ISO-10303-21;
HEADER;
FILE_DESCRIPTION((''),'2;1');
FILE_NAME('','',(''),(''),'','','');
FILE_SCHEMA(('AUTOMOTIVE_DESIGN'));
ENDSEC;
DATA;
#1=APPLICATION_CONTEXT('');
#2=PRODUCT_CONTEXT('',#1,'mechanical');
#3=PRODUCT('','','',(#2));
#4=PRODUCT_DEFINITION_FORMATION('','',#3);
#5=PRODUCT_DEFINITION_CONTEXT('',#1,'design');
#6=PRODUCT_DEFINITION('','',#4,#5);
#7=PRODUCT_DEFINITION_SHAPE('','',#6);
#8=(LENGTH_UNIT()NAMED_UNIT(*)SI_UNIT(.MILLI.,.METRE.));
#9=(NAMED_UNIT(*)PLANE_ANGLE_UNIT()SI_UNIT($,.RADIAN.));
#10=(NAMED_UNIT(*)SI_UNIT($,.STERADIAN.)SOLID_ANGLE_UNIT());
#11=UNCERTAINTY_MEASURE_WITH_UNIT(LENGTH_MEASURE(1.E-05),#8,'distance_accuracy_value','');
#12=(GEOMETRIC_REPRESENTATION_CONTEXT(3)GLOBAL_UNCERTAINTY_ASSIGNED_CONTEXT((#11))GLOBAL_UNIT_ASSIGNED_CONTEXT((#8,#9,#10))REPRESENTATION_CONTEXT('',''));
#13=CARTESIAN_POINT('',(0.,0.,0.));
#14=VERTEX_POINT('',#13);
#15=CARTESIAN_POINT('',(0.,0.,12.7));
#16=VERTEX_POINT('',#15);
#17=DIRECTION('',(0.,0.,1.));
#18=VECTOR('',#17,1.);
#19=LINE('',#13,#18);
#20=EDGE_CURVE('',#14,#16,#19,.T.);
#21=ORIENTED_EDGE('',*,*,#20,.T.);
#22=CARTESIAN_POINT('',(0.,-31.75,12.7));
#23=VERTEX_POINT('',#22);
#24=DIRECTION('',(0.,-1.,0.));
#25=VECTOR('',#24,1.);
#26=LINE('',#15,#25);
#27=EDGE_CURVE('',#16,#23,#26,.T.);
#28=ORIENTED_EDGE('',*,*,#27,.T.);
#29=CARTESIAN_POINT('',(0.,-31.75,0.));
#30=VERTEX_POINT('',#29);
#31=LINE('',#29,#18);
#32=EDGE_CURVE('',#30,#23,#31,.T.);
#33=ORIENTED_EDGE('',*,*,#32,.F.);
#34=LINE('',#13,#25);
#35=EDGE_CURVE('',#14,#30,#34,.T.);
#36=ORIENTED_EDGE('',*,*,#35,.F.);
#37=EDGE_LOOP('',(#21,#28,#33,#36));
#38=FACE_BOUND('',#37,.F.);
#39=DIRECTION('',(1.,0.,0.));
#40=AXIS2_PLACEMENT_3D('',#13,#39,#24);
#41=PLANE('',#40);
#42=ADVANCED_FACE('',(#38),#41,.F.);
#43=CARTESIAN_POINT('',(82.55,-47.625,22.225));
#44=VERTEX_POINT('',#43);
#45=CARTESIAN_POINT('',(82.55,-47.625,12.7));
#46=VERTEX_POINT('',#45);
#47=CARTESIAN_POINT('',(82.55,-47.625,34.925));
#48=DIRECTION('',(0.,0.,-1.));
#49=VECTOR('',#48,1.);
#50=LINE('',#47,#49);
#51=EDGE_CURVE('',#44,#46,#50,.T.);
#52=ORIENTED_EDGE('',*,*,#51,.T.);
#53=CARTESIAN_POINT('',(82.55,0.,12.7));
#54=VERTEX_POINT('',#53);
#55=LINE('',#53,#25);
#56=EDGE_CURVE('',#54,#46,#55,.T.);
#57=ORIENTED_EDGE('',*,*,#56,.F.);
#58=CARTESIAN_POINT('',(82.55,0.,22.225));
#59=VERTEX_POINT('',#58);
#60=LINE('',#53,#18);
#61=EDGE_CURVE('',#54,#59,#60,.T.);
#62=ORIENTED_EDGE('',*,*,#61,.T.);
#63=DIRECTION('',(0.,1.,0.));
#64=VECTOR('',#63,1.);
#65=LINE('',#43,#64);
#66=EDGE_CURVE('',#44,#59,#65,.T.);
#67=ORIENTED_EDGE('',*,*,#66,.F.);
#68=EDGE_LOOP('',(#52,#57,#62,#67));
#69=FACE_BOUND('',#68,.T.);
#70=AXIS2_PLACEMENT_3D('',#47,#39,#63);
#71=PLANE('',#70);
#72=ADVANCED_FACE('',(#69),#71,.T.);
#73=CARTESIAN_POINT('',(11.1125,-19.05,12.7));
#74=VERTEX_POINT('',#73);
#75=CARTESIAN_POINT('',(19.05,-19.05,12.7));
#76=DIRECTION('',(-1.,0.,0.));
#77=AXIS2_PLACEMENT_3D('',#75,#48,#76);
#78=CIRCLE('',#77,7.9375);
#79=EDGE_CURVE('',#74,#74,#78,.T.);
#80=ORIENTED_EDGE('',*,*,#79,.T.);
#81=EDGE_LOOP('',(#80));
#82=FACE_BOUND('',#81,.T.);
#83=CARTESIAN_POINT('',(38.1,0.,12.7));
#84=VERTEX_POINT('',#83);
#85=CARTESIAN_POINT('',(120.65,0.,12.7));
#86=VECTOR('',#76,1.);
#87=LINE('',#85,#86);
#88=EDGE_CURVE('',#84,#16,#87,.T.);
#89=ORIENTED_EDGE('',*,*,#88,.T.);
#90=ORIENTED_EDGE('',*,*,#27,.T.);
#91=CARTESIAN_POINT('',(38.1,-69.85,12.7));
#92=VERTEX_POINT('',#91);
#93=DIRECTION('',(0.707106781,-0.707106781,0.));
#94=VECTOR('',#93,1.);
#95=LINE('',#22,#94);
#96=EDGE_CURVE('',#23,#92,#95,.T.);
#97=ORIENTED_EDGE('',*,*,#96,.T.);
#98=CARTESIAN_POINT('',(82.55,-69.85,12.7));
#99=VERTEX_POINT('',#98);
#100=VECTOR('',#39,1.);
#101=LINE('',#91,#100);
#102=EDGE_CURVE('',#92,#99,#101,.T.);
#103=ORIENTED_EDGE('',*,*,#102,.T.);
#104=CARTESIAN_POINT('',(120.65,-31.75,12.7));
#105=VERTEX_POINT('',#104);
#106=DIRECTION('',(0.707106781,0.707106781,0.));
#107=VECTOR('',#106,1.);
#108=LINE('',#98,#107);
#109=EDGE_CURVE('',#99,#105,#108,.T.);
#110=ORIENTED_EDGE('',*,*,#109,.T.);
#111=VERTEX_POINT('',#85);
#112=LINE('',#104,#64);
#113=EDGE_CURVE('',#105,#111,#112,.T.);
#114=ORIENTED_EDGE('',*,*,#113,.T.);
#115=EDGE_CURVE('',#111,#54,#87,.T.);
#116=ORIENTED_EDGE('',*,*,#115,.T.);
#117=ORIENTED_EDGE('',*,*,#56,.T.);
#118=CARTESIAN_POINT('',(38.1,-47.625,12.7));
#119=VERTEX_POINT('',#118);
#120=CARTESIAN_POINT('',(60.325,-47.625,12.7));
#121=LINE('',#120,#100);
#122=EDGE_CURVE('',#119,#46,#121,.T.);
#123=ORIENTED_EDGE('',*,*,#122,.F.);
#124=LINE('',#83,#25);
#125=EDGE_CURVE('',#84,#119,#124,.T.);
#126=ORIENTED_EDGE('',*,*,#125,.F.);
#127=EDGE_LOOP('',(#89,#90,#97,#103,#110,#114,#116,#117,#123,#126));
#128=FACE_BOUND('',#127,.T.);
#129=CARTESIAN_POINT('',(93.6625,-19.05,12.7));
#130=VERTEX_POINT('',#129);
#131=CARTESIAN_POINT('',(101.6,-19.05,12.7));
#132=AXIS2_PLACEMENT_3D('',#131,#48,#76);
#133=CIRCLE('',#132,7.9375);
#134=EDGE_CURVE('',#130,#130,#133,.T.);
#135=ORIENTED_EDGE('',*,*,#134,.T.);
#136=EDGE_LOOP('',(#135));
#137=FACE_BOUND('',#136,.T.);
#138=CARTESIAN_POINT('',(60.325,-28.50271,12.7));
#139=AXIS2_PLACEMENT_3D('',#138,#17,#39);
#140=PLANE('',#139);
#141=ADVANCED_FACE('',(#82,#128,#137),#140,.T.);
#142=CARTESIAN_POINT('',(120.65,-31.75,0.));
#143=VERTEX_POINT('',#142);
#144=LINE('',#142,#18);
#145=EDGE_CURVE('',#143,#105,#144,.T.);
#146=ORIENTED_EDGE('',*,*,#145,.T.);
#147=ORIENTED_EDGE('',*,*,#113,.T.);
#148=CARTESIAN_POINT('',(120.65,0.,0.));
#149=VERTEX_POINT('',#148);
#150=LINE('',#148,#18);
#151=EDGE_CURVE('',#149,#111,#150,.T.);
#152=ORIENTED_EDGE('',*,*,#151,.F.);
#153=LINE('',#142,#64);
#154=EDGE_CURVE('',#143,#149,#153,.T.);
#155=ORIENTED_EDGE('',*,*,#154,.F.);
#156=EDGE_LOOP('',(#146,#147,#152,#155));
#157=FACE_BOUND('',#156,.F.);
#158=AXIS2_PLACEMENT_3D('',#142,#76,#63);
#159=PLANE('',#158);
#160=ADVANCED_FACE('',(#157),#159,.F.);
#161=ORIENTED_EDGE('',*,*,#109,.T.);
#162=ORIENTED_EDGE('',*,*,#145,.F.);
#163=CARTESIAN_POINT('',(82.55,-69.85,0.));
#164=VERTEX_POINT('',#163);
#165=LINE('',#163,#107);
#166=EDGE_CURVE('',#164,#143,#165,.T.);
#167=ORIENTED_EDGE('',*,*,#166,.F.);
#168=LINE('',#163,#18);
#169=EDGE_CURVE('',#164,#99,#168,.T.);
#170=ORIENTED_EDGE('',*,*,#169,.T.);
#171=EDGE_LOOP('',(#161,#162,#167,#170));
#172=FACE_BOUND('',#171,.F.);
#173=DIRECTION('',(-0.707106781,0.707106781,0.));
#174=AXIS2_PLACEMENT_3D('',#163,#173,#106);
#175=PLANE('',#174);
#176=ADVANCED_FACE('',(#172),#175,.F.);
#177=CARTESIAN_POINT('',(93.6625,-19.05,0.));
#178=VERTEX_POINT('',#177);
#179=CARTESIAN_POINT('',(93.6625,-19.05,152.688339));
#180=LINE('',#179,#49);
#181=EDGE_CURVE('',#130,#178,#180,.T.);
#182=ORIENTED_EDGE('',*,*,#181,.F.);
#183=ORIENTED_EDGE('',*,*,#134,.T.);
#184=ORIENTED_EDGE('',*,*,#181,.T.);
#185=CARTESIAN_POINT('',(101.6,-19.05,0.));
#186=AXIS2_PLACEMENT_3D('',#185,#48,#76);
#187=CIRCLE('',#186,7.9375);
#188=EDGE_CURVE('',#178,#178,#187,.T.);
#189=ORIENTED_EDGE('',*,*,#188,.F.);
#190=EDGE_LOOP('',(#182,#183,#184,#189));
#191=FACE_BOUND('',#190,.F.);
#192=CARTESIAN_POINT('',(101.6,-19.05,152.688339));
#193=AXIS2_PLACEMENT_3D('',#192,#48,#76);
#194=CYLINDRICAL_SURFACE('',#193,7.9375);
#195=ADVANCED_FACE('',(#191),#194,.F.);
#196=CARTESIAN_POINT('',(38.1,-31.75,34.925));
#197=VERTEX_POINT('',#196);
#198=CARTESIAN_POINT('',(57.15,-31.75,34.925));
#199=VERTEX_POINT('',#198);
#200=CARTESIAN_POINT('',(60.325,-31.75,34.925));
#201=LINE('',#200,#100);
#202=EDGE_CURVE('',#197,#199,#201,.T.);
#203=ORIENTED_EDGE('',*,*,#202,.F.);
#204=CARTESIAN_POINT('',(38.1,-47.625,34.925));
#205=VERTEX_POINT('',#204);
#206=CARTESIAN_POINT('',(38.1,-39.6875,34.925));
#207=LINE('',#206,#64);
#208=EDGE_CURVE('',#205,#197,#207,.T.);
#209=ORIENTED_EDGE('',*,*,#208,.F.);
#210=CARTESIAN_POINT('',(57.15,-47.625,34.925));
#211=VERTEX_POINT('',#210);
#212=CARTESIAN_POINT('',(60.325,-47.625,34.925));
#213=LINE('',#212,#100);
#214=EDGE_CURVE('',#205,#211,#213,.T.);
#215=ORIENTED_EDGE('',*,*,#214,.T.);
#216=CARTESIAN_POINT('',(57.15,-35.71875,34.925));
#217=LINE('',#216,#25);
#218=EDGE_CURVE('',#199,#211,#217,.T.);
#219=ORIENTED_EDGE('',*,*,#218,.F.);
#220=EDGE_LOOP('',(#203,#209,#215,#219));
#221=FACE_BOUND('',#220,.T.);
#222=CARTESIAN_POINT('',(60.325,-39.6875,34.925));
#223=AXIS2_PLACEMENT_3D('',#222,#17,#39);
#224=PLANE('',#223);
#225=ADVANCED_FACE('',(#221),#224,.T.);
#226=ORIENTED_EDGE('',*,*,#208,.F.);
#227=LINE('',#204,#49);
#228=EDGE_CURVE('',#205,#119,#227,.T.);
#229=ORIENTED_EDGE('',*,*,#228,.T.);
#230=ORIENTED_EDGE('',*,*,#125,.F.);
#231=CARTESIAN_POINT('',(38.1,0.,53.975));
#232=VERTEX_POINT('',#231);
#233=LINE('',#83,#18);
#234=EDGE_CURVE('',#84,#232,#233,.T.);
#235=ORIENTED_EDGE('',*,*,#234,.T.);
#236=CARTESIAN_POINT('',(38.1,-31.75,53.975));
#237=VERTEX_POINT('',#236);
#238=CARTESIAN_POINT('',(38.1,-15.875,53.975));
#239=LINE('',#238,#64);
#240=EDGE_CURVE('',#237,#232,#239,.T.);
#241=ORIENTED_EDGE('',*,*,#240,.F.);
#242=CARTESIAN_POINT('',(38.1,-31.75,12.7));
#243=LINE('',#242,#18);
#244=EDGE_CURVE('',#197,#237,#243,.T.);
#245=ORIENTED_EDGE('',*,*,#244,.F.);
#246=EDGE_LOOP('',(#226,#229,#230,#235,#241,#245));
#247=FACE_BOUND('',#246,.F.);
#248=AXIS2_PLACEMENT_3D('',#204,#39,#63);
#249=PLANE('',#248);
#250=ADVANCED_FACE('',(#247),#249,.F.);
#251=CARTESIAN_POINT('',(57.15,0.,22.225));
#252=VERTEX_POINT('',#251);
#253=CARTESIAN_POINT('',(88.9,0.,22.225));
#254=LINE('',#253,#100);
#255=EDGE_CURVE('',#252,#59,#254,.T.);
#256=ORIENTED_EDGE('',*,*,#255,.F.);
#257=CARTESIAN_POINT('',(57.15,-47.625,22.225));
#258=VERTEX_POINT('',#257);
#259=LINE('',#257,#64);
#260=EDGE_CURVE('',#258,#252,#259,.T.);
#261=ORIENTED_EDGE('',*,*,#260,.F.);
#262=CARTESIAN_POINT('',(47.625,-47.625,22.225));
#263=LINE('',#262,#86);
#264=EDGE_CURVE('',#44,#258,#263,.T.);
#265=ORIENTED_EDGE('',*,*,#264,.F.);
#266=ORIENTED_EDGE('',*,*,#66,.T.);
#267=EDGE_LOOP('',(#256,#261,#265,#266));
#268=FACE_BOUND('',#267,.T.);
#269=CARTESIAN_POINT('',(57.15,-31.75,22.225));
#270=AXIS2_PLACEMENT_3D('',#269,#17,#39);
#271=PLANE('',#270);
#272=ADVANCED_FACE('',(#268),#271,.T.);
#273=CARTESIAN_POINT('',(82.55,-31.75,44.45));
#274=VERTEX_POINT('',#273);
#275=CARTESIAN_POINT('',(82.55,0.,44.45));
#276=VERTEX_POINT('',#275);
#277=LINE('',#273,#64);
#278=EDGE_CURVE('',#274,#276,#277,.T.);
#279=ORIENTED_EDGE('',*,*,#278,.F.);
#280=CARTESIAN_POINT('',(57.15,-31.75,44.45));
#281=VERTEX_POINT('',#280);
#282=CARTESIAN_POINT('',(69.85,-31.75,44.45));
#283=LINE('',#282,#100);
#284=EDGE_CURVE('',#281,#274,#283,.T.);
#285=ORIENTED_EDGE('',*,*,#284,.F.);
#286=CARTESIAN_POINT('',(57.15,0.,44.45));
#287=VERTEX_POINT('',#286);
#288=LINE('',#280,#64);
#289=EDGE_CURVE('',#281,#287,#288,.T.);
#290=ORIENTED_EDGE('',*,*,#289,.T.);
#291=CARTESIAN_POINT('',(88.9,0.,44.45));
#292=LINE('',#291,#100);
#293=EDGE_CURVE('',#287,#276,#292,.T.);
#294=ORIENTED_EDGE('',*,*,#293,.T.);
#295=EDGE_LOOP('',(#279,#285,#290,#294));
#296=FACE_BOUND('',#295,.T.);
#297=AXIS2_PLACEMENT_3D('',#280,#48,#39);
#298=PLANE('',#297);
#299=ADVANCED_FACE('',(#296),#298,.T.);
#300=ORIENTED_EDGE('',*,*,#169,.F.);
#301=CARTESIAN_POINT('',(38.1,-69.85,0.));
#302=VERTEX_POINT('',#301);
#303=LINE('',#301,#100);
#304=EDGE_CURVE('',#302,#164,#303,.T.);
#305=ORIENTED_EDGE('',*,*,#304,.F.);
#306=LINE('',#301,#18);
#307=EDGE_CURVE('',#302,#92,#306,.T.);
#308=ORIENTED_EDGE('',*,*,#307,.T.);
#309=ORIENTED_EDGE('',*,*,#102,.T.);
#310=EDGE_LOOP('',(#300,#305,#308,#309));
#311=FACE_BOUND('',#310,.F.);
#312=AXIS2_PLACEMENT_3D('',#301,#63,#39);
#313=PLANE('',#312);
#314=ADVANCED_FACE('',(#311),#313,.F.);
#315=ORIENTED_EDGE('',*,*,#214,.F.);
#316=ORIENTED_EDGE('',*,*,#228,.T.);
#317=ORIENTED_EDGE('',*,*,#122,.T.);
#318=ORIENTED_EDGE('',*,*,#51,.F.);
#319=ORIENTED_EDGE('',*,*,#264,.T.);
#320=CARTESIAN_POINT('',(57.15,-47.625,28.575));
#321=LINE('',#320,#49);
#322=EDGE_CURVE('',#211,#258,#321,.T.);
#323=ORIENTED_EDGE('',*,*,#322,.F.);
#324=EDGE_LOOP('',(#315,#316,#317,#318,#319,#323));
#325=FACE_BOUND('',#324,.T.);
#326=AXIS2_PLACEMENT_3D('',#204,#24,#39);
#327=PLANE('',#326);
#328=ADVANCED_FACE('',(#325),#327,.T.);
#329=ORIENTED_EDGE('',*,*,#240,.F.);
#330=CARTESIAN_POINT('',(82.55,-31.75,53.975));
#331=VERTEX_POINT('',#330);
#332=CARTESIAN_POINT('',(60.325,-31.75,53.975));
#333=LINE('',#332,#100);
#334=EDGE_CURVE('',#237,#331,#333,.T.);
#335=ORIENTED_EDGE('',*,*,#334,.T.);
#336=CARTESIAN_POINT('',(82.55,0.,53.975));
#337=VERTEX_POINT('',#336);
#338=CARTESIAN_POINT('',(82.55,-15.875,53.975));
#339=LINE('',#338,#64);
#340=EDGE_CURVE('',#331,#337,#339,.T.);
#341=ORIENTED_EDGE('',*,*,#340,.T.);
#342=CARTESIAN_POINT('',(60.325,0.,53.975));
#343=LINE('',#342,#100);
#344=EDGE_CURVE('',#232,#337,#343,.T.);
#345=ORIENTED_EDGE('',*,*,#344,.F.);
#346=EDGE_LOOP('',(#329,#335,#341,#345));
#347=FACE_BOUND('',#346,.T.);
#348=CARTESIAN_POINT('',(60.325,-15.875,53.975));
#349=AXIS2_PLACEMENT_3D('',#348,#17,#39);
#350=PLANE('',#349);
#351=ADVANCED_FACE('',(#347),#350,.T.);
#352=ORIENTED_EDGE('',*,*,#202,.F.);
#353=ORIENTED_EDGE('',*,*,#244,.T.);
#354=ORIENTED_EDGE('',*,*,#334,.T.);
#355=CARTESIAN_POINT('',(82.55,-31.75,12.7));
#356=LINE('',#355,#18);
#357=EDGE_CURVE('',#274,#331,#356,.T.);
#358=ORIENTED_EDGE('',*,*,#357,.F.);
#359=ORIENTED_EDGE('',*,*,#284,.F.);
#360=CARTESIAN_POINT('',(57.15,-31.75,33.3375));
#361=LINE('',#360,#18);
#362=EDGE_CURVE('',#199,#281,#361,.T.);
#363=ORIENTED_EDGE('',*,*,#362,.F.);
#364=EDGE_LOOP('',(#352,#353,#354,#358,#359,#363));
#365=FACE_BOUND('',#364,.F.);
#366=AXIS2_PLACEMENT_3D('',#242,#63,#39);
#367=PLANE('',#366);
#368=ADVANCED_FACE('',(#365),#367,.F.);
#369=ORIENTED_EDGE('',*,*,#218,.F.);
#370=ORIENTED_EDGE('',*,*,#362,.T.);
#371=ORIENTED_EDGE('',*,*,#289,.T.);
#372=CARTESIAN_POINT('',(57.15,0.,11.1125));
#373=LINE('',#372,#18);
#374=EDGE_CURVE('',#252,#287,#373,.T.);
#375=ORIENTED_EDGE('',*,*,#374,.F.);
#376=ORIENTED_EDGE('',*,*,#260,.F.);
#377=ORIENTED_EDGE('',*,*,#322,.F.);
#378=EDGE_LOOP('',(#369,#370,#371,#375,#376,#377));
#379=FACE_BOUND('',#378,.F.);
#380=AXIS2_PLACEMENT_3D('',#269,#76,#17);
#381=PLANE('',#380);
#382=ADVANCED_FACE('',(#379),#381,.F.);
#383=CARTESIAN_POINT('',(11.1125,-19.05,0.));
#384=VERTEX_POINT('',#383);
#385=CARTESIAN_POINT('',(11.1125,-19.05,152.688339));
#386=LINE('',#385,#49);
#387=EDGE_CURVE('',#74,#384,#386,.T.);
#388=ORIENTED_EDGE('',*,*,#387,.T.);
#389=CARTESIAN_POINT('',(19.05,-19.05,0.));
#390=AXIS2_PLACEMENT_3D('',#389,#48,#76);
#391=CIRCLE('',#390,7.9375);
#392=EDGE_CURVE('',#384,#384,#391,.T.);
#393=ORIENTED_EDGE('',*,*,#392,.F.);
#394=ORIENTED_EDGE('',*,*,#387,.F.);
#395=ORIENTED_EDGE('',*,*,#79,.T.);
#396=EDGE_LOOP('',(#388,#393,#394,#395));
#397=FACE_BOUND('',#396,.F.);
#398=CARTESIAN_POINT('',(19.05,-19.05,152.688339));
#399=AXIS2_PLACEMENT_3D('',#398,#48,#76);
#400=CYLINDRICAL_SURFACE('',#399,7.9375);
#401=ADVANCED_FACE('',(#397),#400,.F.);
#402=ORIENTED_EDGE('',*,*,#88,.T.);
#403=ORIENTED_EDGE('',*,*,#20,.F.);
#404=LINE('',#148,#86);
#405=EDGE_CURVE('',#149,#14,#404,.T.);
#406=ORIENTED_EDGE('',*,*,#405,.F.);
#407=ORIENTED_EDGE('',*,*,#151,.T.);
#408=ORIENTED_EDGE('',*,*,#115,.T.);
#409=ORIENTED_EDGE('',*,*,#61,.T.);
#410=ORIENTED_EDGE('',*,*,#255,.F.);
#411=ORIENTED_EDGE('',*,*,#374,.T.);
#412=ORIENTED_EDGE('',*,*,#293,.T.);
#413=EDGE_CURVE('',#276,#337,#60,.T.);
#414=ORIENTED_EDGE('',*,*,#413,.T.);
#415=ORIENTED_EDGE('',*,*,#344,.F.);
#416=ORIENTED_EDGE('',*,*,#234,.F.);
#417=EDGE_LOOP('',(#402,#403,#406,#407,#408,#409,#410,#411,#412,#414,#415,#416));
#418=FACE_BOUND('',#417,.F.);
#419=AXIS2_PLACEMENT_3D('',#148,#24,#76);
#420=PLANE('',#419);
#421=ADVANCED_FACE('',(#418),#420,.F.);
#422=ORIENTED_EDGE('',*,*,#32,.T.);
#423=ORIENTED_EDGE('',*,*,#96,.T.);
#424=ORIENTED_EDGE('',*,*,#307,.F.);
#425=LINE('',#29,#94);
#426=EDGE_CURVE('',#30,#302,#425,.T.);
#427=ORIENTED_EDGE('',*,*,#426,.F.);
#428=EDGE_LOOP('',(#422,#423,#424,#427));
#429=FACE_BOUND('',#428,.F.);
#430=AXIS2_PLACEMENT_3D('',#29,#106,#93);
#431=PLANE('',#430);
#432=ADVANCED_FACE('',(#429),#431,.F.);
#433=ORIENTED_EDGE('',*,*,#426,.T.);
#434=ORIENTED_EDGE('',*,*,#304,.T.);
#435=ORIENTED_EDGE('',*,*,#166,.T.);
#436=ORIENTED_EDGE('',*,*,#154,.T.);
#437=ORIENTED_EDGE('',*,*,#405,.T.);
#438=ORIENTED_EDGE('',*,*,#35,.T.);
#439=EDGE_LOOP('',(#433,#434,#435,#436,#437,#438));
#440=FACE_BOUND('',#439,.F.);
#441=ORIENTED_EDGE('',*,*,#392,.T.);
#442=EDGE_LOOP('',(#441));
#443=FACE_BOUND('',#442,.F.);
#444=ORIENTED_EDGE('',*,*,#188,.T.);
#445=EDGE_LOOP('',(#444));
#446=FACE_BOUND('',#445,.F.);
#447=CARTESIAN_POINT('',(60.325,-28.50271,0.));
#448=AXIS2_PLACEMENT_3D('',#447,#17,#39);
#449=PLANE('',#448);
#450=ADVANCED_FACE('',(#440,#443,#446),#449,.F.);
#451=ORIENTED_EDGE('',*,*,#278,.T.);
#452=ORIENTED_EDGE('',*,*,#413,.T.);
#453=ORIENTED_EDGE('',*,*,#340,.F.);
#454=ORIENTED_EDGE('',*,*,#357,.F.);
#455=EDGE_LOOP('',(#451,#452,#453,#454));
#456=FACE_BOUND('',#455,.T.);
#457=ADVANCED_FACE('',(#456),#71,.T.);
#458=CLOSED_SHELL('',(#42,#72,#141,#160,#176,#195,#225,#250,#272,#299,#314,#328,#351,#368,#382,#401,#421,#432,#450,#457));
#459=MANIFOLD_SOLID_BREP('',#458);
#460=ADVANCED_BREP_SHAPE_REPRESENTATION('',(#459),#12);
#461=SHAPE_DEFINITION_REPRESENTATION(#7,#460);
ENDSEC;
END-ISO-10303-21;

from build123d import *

# Parameters (mm, degrees)
F1_DEPTH      = 12.7
F3_D          = 15.875
F4_W          = 44.45
F4_H          = 31.75
F5_DEPTH      = 41.275
F8_START      = -19.05
F7_W          = 44.45
F7_H          = 15.875
F8_DEPTH      = 22.225
F6_W          = 25.4
F6_H          = 22.225
F9_DEPTH      = 31.751
F9_DEPTH_BACK = 38.101


with BuildPart() as f1:
    # F0 (on Top) → F1 (new body)
    with BuildSketch(Plane.XY):
        Polygon((120.65, 0), (0, 0), (0, -31.75), (38.1, -69.85), (82.55, -69.85), (120.65, -31.75), align=None)
    extrude(amount=F1_DEPTH)

    # F3 (through all)
    with Locations(Plane.XY.offset(12.7)):
        with Locations((19.05, -19.05), (101.6, -19.05)):
            Hole(F3_D / 2)

    # F4 (on face) → F5 (join)
    with BuildSketch(Plane.XY.offset(12.7)):
        with Locations((60.325, -15.875)):
            Rectangle(F4_W, F4_H)
    extrude(amount=F5_DEPTH)

    # F7 (on face) → F8 (join)
    with BuildSketch(Plane.XY.offset(53.975).offset(F8_START)):
        with Locations((60.325, -39.6875)):
            Rectangle(F7_W, F7_H)
    extrude(amount=-F8_DEPTH)

    # F6 (on face) → F9 (cut, two sides)
    with BuildSketch(Plane.XZ.offset(31.75)) as f9_sk:
        with Locations((69.85, 33.3375)):
            Rectangle(F6_W, F6_H)
    extrude(amount=-F9_DEPTH, mode=Mode.SUBTRACT)
    extrude(f9_sk.sketch, amount=F9_DEPTH_BACK, mode=Mode.SUBTRACT)


solid = f1.part
